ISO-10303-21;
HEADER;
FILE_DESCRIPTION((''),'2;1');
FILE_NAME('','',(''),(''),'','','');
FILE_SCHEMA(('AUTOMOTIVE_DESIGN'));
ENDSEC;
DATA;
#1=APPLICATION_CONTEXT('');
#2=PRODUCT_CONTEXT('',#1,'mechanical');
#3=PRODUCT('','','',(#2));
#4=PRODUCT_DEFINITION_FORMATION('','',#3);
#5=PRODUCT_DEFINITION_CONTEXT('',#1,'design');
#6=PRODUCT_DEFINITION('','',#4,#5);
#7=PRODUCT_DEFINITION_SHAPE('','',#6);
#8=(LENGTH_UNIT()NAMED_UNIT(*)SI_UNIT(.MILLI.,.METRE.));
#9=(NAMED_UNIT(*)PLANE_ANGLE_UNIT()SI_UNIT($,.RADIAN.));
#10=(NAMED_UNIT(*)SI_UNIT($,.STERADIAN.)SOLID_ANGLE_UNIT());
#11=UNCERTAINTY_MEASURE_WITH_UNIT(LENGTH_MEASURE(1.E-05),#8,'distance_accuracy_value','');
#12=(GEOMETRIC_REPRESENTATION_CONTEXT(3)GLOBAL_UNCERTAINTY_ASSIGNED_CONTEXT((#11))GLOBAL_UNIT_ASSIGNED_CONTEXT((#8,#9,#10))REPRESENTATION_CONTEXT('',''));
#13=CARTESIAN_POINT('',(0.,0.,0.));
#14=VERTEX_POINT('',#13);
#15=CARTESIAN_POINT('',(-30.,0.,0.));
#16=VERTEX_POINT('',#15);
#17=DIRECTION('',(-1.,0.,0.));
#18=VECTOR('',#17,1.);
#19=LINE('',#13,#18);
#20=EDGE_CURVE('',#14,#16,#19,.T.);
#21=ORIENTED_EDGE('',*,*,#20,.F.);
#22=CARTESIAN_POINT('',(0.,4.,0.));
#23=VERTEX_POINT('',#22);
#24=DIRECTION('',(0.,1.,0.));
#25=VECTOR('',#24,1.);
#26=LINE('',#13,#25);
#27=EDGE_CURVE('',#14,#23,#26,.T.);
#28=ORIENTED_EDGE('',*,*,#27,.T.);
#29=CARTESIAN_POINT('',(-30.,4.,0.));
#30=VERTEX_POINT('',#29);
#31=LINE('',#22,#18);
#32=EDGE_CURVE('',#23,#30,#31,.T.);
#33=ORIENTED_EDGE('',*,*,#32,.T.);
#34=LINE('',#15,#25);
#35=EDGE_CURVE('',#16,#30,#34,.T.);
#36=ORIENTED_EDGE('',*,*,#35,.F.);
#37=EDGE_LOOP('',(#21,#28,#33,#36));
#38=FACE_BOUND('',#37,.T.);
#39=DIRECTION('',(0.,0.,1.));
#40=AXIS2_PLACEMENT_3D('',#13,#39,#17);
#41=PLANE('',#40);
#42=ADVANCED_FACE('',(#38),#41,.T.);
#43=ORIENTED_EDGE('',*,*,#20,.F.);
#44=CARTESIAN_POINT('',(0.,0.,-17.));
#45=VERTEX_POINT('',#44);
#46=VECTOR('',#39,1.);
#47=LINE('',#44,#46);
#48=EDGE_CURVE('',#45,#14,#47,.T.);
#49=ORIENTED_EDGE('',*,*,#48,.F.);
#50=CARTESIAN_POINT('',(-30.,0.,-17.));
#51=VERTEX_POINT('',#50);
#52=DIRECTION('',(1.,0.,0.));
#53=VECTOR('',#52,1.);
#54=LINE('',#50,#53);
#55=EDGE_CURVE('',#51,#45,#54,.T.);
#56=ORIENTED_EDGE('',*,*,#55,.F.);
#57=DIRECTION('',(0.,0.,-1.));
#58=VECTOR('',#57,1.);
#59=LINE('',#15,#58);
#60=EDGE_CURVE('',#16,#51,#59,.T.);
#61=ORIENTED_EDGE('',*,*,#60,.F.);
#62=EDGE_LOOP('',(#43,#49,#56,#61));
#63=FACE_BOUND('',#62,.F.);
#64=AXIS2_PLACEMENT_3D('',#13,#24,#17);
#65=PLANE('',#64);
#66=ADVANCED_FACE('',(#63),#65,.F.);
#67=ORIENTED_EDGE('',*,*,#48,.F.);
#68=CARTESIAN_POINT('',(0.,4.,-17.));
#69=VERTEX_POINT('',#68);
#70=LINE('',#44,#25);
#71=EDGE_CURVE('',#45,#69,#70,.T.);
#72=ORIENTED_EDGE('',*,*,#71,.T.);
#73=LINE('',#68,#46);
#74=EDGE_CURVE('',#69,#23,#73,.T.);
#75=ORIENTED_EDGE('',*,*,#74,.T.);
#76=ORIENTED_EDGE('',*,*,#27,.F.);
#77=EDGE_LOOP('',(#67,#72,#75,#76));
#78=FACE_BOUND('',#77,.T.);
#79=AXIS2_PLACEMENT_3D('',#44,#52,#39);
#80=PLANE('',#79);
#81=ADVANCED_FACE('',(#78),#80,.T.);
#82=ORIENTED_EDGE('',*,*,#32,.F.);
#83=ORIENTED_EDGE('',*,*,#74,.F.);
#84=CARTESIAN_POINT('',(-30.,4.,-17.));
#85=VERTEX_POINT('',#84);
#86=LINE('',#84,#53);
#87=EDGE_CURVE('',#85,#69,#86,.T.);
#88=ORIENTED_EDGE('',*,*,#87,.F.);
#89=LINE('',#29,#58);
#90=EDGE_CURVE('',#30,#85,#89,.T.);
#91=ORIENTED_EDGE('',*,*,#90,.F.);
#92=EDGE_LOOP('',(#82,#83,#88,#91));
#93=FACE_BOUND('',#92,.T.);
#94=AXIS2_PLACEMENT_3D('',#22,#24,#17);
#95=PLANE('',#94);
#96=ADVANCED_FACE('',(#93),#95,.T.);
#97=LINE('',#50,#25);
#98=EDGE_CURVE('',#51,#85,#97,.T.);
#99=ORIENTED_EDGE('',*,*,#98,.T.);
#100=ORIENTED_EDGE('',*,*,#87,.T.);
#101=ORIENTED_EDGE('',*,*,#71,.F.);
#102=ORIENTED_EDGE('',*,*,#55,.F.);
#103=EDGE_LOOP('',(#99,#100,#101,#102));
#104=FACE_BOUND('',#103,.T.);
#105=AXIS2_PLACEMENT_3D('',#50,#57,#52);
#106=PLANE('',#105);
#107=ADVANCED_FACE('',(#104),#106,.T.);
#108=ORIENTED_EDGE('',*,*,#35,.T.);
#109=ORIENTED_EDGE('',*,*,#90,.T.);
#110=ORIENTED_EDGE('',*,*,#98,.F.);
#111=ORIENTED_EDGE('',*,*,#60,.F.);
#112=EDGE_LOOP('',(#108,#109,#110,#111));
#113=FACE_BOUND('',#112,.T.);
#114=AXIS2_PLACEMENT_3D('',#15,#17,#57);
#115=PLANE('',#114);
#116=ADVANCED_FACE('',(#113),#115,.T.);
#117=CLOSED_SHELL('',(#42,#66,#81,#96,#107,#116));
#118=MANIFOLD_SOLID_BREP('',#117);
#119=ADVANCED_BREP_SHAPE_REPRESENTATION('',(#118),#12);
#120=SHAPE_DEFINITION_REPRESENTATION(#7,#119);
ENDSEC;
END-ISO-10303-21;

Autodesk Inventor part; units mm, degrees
ref_plane "YZ Plane" through (0, 0, 0) normal (1, 0, 0) x (0, 1, 0)
ref_plane "XZ Plane" through (0, 0, 0) normal (0, 1, 0) x (-1, 0, 0)
ref_plane "XY Plane" through (0, 0, 0) normal (0, 0, 1) x (1, 0, 0)
sketch "Szkic1" plane through (0, 0, 0) normal (0, 1, 0) x (-1, 0, 0)
  line L0 (0, 0) -> (30, 0)
  line L1 (30, 0) -> (30, -17)
  line L2 (30, -17) -> (0, -17)
  line L3 (0, -17) -> (0, 0)
  dimension "d0" = 30
  dimension "d1" = 17
extrude "Wyciągnięcie proste1" add sketch "Szkic1" along normal blind 4
properties part number "li-pol 35x30x4"
